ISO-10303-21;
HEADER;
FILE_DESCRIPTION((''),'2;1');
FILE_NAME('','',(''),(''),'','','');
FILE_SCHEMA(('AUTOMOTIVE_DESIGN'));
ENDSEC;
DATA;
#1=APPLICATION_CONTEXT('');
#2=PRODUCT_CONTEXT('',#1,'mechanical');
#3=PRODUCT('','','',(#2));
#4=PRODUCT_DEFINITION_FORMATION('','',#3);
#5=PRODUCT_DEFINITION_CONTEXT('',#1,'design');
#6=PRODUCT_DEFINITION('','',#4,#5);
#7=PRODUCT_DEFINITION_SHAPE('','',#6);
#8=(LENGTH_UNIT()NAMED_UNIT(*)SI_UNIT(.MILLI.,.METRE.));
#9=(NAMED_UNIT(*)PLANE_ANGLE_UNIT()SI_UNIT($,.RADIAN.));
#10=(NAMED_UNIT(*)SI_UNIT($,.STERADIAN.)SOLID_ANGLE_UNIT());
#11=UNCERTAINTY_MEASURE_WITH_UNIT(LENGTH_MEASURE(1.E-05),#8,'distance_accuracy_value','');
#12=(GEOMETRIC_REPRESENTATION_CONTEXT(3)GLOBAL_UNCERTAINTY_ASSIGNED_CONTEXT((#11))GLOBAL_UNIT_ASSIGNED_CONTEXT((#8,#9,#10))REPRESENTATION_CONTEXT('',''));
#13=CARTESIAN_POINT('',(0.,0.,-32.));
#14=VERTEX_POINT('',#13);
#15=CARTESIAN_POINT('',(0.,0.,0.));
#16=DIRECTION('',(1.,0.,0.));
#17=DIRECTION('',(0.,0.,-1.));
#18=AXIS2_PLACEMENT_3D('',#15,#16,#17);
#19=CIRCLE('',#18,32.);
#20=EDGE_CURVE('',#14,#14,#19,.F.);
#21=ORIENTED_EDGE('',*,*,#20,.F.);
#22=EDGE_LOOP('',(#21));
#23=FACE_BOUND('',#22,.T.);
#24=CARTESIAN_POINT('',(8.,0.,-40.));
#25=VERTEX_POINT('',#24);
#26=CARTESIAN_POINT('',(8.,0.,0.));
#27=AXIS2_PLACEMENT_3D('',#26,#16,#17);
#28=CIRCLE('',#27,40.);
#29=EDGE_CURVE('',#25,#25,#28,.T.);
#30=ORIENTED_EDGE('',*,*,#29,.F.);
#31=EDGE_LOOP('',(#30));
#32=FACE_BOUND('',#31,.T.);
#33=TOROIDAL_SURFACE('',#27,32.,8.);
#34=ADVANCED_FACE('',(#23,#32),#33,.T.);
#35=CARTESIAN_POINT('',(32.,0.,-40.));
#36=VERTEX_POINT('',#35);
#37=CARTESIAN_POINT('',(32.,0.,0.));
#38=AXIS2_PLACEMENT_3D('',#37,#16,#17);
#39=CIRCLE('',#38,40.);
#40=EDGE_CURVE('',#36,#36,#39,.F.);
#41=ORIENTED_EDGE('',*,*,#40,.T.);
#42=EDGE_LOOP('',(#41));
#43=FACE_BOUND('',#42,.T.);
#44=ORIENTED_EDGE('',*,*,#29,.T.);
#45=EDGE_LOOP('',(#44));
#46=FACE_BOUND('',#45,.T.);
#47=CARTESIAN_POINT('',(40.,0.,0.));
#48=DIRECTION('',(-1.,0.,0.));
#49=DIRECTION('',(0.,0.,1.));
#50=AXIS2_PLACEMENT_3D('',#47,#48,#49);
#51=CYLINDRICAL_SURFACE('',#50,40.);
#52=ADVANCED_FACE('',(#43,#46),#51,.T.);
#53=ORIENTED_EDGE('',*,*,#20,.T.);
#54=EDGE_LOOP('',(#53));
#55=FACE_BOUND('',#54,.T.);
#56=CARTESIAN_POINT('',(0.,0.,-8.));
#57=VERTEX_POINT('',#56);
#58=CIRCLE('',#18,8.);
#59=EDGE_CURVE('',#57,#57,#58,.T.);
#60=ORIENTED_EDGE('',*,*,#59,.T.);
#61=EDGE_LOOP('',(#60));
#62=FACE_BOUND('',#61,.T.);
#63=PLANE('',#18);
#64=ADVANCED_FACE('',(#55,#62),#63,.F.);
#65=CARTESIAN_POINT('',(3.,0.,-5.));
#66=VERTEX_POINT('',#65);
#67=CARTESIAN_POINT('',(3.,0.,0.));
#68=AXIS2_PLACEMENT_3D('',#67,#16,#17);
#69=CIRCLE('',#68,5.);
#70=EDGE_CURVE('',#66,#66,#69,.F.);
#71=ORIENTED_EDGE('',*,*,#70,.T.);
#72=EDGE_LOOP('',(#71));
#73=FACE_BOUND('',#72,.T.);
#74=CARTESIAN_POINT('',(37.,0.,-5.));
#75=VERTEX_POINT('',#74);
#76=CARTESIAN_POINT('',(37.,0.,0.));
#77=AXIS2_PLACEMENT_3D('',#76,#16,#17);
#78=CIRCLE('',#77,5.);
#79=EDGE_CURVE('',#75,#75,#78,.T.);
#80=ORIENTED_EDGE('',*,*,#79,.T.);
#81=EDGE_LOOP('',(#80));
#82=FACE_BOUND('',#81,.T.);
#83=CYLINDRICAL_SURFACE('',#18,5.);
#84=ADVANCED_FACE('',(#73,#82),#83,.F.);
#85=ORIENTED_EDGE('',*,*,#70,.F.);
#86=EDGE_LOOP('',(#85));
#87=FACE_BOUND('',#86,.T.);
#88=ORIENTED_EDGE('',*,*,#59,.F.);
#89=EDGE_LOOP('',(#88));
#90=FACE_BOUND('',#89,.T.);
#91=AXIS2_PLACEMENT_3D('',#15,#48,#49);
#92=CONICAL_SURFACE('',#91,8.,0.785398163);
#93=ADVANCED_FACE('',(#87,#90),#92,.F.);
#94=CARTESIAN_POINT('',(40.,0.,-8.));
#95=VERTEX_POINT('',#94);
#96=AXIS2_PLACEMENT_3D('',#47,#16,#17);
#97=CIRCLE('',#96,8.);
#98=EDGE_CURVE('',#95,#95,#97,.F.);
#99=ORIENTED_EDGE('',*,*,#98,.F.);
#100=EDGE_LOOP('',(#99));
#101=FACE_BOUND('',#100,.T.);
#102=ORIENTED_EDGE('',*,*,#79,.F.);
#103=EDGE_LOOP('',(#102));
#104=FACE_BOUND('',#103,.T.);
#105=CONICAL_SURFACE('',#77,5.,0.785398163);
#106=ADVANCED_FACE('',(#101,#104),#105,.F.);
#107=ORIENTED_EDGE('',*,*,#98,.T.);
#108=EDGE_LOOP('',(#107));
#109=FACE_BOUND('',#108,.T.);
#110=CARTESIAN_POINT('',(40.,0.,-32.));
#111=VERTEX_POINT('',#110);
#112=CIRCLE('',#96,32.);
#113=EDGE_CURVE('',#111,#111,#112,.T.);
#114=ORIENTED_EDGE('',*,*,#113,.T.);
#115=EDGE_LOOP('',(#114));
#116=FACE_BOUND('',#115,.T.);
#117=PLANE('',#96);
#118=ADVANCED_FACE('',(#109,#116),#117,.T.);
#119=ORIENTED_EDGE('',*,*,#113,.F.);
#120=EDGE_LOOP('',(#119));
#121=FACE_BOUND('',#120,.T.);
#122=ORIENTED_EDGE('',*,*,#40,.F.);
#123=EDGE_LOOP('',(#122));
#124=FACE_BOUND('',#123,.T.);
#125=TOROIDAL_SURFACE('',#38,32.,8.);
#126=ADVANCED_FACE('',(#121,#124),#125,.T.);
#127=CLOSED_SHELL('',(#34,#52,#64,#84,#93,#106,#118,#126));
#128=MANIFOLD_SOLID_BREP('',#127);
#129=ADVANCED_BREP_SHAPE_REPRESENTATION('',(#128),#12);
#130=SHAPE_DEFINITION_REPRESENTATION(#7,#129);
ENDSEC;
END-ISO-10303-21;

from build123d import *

# Parameters (mm, degrees)
SKETCH1_R           = 40
BOSS_EXTRUDE1_DEPTH = 40
FILLET1_R           = 8
SKETCH2_R           = 5
CUT_EXTRUDE1_DEPTH  = 70.28203236
CHAMFER1_SIZE       = 3


with BuildPart() as part:
    # Sketch1 → Boss-Extrude1 (new body)
    with BuildSketch(Plane(origin=(0, 0, 0), x_dir=(0, 0, -1), z_dir=(1, 0, 0))):
        Circle(SKETCH1_R)
    extrude(amount=BOSS_EXTRUDE1_DEPTH)

    # Fillet1
    fillet1_edges = [part.edges().sort_by_distance(p)[0] for p in [
        (0, 0, 40),
        (40, 0, 40),
    ]]
    fillet(fillet1_edges, radius=FILLET1_R)

    # Sketch2 → Cut-Extrude1 (cut, through all)
    with BuildSketch(Plane(origin=(40, 0, 0), x_dir=(0, 0, -1), z_dir=(1, 0, 0))):
        Circle(SKETCH2_R)
    extrude(amount=-CUT_EXTRUDE1_DEPTH, mode=Mode.SUBTRACT)

    # Chamfer1
    chamfer1_edges = [part.edges().sort_by_distance(p)[0] for p in [
        (0, 0, 5),
        (40, 0, 5),
    ]]
    chamfer(chamfer1_edges, length=CHAMFER1_SIZE)


solid = part.part
